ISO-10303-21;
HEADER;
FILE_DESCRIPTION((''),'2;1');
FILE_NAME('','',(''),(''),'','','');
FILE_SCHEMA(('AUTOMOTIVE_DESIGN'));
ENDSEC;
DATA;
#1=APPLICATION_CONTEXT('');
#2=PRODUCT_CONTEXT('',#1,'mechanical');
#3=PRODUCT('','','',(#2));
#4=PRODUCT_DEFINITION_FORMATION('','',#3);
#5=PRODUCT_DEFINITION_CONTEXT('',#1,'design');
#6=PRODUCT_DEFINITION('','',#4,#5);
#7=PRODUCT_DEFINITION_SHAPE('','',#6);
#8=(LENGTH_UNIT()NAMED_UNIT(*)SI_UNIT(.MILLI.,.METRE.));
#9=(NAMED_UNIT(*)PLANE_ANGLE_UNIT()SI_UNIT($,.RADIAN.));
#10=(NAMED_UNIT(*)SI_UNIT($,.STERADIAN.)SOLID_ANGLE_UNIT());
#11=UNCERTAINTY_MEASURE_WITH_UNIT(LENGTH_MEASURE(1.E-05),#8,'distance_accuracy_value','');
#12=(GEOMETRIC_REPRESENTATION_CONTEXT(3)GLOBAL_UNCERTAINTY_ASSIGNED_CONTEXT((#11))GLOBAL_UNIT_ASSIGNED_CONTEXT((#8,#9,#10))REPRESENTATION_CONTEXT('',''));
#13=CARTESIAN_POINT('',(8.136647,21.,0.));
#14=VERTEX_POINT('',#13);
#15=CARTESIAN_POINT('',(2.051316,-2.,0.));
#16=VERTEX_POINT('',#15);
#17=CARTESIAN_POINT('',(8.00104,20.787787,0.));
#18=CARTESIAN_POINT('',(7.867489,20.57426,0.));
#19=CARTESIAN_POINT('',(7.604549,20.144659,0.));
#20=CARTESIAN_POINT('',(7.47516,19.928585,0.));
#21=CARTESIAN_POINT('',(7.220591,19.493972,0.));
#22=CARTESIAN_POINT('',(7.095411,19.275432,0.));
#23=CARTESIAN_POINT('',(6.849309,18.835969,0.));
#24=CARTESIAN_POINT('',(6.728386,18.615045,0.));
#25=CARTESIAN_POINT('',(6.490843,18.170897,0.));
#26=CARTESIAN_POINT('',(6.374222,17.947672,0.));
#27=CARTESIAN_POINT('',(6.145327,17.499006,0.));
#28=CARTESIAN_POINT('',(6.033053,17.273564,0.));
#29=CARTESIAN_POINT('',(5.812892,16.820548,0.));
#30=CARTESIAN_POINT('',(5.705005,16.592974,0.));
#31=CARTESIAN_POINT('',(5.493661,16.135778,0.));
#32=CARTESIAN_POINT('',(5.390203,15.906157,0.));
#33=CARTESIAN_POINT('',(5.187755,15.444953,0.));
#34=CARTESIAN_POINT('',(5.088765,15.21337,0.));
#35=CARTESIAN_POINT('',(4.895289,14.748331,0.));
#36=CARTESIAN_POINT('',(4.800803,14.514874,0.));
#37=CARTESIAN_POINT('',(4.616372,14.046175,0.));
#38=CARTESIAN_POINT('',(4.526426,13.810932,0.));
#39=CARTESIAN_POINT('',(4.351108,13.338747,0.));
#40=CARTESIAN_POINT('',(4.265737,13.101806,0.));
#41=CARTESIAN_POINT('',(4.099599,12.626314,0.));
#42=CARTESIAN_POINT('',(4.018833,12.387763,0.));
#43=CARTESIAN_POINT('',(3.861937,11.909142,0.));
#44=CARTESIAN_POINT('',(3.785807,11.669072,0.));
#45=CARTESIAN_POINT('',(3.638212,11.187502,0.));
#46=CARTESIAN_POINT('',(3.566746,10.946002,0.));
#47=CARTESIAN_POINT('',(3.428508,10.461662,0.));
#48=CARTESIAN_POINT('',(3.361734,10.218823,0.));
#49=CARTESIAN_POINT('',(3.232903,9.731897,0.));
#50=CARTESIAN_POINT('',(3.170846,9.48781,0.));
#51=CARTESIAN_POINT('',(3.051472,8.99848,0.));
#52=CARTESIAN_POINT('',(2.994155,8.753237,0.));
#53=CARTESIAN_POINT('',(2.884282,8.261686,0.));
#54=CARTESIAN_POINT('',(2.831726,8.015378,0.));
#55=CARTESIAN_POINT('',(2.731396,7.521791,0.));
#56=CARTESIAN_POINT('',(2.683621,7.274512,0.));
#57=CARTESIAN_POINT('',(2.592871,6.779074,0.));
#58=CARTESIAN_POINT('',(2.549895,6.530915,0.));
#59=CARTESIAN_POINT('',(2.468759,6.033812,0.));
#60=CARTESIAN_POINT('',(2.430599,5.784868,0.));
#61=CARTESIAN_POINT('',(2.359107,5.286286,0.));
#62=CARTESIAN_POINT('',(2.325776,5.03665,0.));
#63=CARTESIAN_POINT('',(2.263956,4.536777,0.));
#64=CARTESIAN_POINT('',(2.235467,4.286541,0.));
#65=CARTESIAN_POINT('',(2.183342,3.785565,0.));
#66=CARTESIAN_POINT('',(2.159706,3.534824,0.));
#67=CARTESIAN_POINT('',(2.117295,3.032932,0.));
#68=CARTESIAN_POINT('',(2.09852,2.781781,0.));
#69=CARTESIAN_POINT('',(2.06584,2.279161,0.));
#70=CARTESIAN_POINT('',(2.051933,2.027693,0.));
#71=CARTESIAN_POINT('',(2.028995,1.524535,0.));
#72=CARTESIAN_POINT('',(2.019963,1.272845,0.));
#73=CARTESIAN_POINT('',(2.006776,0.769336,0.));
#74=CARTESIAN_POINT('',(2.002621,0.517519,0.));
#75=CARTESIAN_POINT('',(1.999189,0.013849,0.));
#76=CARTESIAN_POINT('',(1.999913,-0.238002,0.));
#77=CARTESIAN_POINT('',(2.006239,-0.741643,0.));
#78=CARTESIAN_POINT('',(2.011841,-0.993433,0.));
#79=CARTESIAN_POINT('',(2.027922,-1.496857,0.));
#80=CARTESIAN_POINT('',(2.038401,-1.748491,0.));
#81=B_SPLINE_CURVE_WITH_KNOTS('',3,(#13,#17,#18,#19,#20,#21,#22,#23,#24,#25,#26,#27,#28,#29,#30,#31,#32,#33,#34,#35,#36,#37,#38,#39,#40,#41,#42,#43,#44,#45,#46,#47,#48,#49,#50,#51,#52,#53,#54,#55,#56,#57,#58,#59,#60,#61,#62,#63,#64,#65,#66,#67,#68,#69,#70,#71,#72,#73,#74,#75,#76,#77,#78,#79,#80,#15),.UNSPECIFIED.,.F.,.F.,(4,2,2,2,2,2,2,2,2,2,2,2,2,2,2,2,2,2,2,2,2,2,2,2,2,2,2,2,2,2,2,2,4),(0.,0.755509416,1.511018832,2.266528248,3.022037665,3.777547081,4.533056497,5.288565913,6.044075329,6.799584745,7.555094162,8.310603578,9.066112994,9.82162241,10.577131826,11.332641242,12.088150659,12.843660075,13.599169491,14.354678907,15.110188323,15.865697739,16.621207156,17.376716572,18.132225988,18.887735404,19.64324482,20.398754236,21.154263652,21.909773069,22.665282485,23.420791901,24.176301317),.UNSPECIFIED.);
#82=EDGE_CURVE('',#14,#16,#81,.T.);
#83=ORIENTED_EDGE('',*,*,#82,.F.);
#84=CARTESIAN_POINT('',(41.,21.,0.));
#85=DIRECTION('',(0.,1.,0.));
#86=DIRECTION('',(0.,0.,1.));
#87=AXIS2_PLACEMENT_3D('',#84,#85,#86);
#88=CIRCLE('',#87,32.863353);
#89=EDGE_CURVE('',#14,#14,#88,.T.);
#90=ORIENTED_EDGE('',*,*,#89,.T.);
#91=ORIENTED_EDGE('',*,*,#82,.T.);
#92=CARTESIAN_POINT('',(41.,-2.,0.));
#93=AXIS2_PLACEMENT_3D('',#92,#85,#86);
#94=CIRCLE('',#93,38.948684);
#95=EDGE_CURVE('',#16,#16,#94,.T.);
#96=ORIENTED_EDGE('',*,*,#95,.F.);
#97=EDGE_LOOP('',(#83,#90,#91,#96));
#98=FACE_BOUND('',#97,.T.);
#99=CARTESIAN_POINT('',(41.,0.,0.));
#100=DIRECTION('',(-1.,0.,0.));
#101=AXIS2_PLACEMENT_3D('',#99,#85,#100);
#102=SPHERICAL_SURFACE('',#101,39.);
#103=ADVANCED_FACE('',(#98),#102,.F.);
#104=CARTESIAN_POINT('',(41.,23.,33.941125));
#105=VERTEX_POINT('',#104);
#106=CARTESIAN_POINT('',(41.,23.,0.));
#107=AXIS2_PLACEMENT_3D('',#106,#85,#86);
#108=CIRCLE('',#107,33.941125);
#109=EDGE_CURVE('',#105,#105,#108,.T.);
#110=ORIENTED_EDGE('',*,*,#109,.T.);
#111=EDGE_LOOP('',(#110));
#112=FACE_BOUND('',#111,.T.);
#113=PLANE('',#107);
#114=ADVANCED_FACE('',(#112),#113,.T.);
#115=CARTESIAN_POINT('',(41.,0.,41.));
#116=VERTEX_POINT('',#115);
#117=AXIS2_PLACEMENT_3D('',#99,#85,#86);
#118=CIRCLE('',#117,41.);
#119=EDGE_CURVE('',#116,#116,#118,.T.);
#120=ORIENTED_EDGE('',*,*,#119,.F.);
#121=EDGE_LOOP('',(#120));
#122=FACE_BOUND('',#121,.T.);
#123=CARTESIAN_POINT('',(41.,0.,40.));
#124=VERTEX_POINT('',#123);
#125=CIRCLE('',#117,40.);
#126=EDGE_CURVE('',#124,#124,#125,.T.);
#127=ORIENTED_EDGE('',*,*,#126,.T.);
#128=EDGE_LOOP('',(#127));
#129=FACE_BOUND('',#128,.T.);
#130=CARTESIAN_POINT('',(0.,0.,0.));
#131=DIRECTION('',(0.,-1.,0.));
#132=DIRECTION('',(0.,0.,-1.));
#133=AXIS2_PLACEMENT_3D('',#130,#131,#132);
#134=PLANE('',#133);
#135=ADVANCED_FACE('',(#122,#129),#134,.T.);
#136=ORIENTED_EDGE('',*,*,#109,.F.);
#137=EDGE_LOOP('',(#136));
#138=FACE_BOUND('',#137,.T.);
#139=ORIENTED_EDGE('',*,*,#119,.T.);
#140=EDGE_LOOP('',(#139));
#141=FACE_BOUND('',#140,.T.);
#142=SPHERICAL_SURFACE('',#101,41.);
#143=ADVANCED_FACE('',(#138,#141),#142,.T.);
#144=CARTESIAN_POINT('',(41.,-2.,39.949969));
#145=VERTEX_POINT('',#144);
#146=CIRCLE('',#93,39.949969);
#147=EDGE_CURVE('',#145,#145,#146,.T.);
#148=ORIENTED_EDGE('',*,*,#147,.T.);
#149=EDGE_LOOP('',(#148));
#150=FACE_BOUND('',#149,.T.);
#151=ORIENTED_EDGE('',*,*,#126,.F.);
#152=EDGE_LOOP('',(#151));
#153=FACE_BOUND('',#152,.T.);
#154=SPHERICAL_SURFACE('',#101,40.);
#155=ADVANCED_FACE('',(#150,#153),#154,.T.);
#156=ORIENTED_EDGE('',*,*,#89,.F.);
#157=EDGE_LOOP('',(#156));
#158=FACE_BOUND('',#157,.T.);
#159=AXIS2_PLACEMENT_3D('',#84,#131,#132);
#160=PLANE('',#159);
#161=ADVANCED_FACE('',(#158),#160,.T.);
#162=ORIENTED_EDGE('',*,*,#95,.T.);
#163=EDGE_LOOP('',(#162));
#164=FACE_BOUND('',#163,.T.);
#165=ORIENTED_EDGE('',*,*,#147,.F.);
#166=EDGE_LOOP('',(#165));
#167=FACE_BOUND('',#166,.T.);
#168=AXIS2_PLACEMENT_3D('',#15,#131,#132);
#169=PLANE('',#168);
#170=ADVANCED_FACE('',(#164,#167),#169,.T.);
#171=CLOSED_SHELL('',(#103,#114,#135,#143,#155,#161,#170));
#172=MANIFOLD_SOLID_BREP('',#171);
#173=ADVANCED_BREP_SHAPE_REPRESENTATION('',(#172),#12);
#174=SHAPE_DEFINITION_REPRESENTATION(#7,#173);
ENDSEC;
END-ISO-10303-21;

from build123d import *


with BuildPart() as part:
    # Sketch1 → Revolve3 (revolve)
    with BuildSketch(Plane.XY, mode=Mode.PRIVATE) as revolve3_sk:
        with BuildLine():
            Line((0, 0), (1, 0))
            ThreePointArc((1, 0), (1.012509778, -1.000312842), (1.050031289, -2))
            Line((1.050031289, -2), (2.051315812, -2))
            ThreePointArc((2.051315812, -2), (3.297318564, 9.975360272), (8.13664655, 21))
            Line((8.13664655, 21), (41, 21))
            Line((41, 21), (41, 23))
            Line((41, 23), (7.058874503, 23))
            ThreePointArc((7.058874503, 23), (1.804425343, 12.029419243), (0, 0))
        make_face()
    revolve(revolve3_sk.sketch.rotate(Axis((41, 23, 0), (0, -1, 0)), 270), axis=Axis((41, 23, 0), (0, -1, 0)))


solid = part.part
